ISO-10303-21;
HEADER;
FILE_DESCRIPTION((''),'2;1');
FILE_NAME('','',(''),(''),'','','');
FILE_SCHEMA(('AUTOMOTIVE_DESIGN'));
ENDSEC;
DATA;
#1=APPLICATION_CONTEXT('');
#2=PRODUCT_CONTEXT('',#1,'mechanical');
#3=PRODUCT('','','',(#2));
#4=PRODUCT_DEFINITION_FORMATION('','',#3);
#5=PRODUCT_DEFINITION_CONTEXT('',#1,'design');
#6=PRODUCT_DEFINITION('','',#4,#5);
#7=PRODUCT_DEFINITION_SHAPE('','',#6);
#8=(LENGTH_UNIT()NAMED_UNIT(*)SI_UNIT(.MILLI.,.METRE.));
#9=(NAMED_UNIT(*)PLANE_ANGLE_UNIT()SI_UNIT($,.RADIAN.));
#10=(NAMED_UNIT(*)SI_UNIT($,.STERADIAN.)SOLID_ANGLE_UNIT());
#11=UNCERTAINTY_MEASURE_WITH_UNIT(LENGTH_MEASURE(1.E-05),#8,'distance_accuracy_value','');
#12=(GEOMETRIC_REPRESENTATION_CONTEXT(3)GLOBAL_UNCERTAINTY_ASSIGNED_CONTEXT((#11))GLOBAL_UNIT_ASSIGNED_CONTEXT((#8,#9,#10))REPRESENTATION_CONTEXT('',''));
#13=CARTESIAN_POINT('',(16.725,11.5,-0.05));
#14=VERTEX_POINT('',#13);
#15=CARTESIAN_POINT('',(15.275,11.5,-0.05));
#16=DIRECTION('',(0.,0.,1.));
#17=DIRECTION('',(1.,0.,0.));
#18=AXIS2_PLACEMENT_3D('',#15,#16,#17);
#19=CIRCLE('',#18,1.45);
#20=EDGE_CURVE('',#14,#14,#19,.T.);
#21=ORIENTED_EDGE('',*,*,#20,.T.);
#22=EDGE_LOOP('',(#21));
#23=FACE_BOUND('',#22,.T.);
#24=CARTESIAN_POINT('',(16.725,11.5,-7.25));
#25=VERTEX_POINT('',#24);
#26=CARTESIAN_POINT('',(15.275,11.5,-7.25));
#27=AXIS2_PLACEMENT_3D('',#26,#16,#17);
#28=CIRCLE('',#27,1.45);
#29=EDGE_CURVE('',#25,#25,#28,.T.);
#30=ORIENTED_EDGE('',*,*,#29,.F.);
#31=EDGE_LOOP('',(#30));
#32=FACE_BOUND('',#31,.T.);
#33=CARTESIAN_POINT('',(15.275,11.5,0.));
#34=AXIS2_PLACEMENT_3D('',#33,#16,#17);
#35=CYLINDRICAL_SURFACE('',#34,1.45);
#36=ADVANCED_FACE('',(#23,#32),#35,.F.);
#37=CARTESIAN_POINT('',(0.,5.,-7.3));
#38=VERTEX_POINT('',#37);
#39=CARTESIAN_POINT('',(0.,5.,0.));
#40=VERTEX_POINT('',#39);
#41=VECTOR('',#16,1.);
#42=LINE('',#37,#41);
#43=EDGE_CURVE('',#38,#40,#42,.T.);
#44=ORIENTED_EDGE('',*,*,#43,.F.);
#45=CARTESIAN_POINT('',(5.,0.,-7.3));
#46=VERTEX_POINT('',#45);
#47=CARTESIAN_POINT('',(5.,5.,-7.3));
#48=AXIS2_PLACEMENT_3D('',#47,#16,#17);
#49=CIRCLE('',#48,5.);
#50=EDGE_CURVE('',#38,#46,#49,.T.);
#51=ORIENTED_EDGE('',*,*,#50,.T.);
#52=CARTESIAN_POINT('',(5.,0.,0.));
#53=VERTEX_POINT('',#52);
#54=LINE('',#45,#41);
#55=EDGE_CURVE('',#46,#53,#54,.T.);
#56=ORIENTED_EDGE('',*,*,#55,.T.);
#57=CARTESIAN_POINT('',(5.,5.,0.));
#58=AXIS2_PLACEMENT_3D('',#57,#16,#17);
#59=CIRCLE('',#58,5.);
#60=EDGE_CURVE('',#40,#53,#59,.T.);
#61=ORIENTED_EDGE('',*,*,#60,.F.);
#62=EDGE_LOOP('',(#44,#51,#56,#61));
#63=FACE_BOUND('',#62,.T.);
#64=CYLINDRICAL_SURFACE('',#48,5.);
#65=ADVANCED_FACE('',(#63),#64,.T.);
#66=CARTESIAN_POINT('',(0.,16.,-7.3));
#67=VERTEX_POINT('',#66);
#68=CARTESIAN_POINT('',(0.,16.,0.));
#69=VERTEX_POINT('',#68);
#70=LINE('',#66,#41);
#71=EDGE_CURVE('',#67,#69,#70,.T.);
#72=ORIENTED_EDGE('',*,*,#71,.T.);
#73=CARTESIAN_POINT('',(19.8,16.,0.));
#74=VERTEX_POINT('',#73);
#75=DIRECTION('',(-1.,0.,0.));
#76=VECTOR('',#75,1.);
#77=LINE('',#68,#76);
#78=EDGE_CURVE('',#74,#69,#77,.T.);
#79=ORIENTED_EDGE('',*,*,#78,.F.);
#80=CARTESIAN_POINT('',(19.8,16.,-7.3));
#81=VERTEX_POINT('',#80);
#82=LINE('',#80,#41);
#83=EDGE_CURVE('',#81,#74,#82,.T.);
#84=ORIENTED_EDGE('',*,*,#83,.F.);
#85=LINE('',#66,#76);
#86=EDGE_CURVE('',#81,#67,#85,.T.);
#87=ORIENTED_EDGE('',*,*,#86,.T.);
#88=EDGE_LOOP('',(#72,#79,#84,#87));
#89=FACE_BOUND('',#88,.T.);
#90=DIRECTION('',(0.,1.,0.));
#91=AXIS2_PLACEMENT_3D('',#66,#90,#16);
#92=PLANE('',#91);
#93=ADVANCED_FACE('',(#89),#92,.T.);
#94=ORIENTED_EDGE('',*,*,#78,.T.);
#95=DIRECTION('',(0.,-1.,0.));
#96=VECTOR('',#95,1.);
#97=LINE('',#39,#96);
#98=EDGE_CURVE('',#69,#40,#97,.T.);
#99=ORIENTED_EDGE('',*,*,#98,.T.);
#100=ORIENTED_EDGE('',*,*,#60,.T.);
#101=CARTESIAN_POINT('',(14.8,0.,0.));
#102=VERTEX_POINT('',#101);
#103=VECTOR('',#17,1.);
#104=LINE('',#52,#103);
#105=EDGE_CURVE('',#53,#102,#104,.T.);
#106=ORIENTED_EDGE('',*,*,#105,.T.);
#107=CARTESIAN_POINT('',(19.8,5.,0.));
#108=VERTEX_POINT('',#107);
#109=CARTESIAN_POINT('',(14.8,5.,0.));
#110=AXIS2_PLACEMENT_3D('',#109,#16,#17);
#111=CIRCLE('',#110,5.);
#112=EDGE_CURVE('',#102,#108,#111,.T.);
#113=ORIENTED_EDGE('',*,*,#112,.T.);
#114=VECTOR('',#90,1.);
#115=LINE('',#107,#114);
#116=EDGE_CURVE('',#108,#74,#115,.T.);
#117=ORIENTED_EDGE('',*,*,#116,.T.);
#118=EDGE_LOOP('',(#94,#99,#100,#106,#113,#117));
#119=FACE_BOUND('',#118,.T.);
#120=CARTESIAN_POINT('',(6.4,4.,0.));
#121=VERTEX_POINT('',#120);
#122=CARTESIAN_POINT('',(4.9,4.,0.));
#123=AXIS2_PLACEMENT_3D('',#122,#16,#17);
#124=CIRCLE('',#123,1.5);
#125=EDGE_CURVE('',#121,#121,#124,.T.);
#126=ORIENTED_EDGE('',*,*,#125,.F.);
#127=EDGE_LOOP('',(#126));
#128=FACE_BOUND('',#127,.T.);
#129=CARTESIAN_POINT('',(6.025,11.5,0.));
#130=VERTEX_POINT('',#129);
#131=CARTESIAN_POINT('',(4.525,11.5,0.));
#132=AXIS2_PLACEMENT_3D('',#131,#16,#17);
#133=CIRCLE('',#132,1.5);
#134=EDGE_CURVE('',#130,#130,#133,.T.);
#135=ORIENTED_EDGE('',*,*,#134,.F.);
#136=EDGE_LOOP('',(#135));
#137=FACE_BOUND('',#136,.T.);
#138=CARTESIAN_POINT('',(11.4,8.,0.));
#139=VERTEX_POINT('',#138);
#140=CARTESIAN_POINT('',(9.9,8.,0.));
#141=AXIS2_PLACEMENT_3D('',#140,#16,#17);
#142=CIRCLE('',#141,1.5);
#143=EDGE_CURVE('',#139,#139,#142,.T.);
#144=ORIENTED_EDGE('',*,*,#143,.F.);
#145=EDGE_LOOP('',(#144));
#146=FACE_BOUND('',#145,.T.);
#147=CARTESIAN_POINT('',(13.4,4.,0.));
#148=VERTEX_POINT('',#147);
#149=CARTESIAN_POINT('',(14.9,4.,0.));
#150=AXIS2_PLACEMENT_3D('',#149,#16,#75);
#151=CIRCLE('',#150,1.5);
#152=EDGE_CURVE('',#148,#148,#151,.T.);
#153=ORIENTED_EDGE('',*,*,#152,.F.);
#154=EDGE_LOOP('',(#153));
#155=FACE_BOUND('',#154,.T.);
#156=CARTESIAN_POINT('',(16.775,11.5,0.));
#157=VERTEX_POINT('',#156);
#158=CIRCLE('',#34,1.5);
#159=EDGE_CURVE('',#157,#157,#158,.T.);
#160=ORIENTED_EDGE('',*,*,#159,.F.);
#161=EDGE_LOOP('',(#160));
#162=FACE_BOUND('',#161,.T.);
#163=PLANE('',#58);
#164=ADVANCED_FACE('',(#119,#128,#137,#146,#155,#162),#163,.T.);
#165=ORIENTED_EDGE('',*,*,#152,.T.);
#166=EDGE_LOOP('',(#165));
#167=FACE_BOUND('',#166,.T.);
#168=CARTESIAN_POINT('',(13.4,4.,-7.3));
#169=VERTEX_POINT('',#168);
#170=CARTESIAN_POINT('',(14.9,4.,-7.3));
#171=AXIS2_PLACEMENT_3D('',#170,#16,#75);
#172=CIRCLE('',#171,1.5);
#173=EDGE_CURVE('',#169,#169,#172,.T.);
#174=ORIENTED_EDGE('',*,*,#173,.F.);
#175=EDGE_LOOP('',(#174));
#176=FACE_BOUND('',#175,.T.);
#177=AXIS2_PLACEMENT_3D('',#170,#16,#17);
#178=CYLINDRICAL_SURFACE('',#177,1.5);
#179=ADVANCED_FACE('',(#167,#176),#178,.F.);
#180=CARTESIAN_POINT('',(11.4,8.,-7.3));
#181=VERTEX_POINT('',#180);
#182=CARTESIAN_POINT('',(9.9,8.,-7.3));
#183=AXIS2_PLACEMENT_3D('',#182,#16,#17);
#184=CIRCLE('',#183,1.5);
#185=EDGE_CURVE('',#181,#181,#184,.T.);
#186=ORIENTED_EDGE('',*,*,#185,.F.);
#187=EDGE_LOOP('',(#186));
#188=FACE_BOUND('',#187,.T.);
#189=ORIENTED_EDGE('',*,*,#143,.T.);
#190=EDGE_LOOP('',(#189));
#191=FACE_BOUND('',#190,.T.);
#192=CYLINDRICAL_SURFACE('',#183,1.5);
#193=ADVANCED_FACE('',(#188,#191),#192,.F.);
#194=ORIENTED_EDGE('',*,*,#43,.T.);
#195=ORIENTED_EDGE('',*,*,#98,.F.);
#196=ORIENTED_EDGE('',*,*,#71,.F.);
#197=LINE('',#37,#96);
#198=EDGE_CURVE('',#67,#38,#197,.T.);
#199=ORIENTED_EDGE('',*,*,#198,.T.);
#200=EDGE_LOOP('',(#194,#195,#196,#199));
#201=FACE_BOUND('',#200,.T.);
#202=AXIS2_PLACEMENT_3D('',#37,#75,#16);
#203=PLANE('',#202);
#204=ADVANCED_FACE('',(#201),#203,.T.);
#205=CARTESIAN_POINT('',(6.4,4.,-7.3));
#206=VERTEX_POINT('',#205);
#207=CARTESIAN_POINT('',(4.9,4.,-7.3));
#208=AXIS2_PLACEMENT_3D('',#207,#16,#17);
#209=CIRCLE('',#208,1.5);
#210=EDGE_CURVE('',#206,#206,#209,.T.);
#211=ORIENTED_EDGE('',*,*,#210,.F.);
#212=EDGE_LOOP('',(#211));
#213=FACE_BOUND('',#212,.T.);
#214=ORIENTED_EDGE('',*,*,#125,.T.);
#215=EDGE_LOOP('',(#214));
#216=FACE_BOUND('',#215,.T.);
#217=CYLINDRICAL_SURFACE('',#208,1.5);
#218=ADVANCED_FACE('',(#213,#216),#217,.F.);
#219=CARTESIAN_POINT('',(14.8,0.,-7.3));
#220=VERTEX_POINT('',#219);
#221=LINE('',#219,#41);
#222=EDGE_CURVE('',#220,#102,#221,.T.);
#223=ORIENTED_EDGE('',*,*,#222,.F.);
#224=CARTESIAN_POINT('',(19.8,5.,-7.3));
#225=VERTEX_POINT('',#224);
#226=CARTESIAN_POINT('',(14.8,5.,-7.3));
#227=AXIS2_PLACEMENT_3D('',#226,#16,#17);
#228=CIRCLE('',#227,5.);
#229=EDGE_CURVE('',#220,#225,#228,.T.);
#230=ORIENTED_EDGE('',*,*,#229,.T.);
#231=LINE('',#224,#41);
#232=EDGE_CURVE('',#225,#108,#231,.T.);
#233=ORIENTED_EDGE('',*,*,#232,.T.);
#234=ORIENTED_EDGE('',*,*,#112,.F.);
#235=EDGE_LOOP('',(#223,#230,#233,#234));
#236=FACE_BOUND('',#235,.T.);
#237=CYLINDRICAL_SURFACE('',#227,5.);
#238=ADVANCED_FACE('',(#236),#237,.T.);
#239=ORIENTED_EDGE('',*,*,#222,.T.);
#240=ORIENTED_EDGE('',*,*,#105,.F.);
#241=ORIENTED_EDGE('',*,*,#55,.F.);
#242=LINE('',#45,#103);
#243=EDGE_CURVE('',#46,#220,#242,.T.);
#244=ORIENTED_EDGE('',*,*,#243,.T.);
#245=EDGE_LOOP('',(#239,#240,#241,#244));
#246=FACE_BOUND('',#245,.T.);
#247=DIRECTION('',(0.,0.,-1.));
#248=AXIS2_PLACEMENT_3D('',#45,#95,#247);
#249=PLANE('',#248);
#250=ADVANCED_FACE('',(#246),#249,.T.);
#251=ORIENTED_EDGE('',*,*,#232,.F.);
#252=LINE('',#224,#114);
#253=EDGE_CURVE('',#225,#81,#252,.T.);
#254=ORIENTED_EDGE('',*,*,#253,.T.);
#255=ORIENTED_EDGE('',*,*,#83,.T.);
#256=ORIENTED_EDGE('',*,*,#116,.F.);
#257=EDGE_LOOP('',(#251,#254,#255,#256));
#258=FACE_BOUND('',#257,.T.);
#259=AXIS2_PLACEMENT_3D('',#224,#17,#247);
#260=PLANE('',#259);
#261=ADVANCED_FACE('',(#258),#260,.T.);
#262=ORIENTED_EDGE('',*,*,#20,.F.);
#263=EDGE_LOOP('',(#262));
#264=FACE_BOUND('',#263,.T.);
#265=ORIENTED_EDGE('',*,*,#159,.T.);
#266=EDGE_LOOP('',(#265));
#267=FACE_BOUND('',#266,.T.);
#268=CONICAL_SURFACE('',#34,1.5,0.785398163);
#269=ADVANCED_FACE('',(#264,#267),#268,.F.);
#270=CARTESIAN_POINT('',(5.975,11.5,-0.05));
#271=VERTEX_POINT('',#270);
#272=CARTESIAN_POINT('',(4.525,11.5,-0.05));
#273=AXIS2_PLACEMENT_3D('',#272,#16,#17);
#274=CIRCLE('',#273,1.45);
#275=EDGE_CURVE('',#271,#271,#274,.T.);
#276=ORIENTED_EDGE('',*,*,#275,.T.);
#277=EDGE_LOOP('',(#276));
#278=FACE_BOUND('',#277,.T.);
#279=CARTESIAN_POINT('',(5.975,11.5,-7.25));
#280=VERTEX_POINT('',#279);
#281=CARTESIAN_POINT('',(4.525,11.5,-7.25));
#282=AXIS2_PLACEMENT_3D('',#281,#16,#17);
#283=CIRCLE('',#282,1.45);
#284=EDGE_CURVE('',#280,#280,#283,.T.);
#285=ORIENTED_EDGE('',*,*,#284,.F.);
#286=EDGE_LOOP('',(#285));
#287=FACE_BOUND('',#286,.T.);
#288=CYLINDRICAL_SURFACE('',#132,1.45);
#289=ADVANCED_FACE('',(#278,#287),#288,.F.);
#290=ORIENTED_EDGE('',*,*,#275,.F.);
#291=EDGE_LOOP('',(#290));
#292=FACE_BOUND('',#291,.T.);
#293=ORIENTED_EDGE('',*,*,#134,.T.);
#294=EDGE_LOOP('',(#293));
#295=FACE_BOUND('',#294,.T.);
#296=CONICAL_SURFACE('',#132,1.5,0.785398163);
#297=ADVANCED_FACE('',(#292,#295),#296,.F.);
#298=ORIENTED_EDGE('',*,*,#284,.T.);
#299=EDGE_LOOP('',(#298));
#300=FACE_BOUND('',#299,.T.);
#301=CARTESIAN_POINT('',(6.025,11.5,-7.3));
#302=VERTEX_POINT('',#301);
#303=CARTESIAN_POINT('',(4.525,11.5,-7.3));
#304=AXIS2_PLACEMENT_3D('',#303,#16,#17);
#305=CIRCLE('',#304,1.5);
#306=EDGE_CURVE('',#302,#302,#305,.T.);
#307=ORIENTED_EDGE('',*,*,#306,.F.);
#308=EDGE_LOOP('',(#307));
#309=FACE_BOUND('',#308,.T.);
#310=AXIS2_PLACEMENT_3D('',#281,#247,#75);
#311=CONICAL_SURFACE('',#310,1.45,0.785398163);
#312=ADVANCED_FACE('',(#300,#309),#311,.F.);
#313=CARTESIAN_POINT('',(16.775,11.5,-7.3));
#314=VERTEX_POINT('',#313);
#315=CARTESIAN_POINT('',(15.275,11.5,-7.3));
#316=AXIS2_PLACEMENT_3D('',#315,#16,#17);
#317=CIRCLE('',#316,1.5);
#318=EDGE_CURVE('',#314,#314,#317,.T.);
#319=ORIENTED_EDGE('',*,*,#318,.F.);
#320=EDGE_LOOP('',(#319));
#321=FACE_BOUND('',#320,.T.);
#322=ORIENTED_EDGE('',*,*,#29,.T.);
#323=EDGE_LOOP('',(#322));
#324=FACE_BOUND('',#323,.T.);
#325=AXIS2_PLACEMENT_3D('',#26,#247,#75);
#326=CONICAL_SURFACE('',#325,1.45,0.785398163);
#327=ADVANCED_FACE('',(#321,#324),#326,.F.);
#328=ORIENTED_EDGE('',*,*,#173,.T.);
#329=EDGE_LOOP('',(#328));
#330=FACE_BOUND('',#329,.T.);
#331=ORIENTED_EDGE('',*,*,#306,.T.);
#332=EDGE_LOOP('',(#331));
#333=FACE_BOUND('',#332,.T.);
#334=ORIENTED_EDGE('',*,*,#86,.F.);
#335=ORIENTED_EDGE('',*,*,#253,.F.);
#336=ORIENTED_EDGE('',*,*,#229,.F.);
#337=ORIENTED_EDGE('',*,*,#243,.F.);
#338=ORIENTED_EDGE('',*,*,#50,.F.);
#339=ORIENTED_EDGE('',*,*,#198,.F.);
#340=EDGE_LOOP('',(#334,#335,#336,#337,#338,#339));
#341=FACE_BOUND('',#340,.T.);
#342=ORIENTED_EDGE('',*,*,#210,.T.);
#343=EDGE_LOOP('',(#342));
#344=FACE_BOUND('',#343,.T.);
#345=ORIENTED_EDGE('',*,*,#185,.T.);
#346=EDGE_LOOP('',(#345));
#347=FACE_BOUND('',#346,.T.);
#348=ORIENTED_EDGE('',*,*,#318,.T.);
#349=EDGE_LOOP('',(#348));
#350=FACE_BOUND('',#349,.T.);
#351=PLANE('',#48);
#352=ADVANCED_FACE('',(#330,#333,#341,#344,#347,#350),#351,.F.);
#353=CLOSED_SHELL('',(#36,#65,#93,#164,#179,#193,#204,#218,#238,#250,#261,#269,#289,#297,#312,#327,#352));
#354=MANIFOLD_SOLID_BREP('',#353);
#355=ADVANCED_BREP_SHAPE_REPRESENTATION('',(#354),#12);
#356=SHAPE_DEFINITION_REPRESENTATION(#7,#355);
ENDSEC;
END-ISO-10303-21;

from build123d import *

# Parameters (mm, degrees)
SKETCH_1_R                   = 1.5
SKETCH_1_R_2                 = 1.25
EXTRUDE_1_DEPTH              = 7.3
HOLE_WIZARD_M2_51_AT_2_COUNT = 2
HOLE_WIZARD_M2_51_AT_2_PITCH = 10.75


with BuildPart() as part:
    # Эскиз1 → Бобышка-Вытянуть1 (new body)
    with BuildSketch(Plane.XY):
        with BuildLine():
            Line((5, 0), (14.8, 0))
            ThreePointArc((14.8, 0), (18.335533906, 1.464466094), (19.8, 5))
            Line((19.8, 5), (19.8, 16))
            Line((19.8, 16), (0, 16))
            Line((0, 16), (0, 5))
            ThreePointArc((0, 5), (1.464466094, 1.464466094), (5, 0))
        make_face()
        with Locations((9.9, 8)):
            Circle(SKETCH_1_R, mode=Mode.SUBTRACT)
        with Locations((4.525, 11.5)):
            Circle(SKETCH_1_R_2, mode=Mode.SUBTRACT)
        with Locations((4.9, 4)):
            Circle(SKETCH_1_R, mode=Mode.SUBTRACT)
        with Locations((14.9, 4)):
            Circle(SKETCH_1_R, mode=Mode.SUBTRACT)
        with Locations((15.275, 11.5)):
            Circle(SKETCH_1_R_2, mode=Mode.SUBTRACT)
    extrude(amount=-EXTRUDE_1_DEPTH)

    # Эскиз2 → Зенковка для  винта с плоской головкой M2.51 (revolve, cut)
    with BuildSketch(Plane(origin=(4.525, 11.5, 0), x_dir=(0, -1, 0), z_dir=(1, 0, 0))):
        Polygon((0, 0), (0, 7.3), (1.5, 7.3), (1.45, 7.25), (1.45, 0.05), (1.5, 0), align=None)
    hole_wizard_m2_51 = revolve(axis=Axis((4.525, 11.5, 6.35), (0, 0, -1)), mode=Mode.SUBTRACT)

    # Зенковка для  винта с плоской головкой M2.51 at 2: Зенковка для  винта с плоской головкой M2.51 ×2
    with Locations(*[(i * HOLE_WIZARD_M2_51_AT_2_PITCH, 0, 0) for i in range(1, HOLE_WIZARD_M2_51_AT_2_COUNT)]):
        add(hole_wizard_m2_51, mode=Mode.SUBTRACT)


solid = part.part
